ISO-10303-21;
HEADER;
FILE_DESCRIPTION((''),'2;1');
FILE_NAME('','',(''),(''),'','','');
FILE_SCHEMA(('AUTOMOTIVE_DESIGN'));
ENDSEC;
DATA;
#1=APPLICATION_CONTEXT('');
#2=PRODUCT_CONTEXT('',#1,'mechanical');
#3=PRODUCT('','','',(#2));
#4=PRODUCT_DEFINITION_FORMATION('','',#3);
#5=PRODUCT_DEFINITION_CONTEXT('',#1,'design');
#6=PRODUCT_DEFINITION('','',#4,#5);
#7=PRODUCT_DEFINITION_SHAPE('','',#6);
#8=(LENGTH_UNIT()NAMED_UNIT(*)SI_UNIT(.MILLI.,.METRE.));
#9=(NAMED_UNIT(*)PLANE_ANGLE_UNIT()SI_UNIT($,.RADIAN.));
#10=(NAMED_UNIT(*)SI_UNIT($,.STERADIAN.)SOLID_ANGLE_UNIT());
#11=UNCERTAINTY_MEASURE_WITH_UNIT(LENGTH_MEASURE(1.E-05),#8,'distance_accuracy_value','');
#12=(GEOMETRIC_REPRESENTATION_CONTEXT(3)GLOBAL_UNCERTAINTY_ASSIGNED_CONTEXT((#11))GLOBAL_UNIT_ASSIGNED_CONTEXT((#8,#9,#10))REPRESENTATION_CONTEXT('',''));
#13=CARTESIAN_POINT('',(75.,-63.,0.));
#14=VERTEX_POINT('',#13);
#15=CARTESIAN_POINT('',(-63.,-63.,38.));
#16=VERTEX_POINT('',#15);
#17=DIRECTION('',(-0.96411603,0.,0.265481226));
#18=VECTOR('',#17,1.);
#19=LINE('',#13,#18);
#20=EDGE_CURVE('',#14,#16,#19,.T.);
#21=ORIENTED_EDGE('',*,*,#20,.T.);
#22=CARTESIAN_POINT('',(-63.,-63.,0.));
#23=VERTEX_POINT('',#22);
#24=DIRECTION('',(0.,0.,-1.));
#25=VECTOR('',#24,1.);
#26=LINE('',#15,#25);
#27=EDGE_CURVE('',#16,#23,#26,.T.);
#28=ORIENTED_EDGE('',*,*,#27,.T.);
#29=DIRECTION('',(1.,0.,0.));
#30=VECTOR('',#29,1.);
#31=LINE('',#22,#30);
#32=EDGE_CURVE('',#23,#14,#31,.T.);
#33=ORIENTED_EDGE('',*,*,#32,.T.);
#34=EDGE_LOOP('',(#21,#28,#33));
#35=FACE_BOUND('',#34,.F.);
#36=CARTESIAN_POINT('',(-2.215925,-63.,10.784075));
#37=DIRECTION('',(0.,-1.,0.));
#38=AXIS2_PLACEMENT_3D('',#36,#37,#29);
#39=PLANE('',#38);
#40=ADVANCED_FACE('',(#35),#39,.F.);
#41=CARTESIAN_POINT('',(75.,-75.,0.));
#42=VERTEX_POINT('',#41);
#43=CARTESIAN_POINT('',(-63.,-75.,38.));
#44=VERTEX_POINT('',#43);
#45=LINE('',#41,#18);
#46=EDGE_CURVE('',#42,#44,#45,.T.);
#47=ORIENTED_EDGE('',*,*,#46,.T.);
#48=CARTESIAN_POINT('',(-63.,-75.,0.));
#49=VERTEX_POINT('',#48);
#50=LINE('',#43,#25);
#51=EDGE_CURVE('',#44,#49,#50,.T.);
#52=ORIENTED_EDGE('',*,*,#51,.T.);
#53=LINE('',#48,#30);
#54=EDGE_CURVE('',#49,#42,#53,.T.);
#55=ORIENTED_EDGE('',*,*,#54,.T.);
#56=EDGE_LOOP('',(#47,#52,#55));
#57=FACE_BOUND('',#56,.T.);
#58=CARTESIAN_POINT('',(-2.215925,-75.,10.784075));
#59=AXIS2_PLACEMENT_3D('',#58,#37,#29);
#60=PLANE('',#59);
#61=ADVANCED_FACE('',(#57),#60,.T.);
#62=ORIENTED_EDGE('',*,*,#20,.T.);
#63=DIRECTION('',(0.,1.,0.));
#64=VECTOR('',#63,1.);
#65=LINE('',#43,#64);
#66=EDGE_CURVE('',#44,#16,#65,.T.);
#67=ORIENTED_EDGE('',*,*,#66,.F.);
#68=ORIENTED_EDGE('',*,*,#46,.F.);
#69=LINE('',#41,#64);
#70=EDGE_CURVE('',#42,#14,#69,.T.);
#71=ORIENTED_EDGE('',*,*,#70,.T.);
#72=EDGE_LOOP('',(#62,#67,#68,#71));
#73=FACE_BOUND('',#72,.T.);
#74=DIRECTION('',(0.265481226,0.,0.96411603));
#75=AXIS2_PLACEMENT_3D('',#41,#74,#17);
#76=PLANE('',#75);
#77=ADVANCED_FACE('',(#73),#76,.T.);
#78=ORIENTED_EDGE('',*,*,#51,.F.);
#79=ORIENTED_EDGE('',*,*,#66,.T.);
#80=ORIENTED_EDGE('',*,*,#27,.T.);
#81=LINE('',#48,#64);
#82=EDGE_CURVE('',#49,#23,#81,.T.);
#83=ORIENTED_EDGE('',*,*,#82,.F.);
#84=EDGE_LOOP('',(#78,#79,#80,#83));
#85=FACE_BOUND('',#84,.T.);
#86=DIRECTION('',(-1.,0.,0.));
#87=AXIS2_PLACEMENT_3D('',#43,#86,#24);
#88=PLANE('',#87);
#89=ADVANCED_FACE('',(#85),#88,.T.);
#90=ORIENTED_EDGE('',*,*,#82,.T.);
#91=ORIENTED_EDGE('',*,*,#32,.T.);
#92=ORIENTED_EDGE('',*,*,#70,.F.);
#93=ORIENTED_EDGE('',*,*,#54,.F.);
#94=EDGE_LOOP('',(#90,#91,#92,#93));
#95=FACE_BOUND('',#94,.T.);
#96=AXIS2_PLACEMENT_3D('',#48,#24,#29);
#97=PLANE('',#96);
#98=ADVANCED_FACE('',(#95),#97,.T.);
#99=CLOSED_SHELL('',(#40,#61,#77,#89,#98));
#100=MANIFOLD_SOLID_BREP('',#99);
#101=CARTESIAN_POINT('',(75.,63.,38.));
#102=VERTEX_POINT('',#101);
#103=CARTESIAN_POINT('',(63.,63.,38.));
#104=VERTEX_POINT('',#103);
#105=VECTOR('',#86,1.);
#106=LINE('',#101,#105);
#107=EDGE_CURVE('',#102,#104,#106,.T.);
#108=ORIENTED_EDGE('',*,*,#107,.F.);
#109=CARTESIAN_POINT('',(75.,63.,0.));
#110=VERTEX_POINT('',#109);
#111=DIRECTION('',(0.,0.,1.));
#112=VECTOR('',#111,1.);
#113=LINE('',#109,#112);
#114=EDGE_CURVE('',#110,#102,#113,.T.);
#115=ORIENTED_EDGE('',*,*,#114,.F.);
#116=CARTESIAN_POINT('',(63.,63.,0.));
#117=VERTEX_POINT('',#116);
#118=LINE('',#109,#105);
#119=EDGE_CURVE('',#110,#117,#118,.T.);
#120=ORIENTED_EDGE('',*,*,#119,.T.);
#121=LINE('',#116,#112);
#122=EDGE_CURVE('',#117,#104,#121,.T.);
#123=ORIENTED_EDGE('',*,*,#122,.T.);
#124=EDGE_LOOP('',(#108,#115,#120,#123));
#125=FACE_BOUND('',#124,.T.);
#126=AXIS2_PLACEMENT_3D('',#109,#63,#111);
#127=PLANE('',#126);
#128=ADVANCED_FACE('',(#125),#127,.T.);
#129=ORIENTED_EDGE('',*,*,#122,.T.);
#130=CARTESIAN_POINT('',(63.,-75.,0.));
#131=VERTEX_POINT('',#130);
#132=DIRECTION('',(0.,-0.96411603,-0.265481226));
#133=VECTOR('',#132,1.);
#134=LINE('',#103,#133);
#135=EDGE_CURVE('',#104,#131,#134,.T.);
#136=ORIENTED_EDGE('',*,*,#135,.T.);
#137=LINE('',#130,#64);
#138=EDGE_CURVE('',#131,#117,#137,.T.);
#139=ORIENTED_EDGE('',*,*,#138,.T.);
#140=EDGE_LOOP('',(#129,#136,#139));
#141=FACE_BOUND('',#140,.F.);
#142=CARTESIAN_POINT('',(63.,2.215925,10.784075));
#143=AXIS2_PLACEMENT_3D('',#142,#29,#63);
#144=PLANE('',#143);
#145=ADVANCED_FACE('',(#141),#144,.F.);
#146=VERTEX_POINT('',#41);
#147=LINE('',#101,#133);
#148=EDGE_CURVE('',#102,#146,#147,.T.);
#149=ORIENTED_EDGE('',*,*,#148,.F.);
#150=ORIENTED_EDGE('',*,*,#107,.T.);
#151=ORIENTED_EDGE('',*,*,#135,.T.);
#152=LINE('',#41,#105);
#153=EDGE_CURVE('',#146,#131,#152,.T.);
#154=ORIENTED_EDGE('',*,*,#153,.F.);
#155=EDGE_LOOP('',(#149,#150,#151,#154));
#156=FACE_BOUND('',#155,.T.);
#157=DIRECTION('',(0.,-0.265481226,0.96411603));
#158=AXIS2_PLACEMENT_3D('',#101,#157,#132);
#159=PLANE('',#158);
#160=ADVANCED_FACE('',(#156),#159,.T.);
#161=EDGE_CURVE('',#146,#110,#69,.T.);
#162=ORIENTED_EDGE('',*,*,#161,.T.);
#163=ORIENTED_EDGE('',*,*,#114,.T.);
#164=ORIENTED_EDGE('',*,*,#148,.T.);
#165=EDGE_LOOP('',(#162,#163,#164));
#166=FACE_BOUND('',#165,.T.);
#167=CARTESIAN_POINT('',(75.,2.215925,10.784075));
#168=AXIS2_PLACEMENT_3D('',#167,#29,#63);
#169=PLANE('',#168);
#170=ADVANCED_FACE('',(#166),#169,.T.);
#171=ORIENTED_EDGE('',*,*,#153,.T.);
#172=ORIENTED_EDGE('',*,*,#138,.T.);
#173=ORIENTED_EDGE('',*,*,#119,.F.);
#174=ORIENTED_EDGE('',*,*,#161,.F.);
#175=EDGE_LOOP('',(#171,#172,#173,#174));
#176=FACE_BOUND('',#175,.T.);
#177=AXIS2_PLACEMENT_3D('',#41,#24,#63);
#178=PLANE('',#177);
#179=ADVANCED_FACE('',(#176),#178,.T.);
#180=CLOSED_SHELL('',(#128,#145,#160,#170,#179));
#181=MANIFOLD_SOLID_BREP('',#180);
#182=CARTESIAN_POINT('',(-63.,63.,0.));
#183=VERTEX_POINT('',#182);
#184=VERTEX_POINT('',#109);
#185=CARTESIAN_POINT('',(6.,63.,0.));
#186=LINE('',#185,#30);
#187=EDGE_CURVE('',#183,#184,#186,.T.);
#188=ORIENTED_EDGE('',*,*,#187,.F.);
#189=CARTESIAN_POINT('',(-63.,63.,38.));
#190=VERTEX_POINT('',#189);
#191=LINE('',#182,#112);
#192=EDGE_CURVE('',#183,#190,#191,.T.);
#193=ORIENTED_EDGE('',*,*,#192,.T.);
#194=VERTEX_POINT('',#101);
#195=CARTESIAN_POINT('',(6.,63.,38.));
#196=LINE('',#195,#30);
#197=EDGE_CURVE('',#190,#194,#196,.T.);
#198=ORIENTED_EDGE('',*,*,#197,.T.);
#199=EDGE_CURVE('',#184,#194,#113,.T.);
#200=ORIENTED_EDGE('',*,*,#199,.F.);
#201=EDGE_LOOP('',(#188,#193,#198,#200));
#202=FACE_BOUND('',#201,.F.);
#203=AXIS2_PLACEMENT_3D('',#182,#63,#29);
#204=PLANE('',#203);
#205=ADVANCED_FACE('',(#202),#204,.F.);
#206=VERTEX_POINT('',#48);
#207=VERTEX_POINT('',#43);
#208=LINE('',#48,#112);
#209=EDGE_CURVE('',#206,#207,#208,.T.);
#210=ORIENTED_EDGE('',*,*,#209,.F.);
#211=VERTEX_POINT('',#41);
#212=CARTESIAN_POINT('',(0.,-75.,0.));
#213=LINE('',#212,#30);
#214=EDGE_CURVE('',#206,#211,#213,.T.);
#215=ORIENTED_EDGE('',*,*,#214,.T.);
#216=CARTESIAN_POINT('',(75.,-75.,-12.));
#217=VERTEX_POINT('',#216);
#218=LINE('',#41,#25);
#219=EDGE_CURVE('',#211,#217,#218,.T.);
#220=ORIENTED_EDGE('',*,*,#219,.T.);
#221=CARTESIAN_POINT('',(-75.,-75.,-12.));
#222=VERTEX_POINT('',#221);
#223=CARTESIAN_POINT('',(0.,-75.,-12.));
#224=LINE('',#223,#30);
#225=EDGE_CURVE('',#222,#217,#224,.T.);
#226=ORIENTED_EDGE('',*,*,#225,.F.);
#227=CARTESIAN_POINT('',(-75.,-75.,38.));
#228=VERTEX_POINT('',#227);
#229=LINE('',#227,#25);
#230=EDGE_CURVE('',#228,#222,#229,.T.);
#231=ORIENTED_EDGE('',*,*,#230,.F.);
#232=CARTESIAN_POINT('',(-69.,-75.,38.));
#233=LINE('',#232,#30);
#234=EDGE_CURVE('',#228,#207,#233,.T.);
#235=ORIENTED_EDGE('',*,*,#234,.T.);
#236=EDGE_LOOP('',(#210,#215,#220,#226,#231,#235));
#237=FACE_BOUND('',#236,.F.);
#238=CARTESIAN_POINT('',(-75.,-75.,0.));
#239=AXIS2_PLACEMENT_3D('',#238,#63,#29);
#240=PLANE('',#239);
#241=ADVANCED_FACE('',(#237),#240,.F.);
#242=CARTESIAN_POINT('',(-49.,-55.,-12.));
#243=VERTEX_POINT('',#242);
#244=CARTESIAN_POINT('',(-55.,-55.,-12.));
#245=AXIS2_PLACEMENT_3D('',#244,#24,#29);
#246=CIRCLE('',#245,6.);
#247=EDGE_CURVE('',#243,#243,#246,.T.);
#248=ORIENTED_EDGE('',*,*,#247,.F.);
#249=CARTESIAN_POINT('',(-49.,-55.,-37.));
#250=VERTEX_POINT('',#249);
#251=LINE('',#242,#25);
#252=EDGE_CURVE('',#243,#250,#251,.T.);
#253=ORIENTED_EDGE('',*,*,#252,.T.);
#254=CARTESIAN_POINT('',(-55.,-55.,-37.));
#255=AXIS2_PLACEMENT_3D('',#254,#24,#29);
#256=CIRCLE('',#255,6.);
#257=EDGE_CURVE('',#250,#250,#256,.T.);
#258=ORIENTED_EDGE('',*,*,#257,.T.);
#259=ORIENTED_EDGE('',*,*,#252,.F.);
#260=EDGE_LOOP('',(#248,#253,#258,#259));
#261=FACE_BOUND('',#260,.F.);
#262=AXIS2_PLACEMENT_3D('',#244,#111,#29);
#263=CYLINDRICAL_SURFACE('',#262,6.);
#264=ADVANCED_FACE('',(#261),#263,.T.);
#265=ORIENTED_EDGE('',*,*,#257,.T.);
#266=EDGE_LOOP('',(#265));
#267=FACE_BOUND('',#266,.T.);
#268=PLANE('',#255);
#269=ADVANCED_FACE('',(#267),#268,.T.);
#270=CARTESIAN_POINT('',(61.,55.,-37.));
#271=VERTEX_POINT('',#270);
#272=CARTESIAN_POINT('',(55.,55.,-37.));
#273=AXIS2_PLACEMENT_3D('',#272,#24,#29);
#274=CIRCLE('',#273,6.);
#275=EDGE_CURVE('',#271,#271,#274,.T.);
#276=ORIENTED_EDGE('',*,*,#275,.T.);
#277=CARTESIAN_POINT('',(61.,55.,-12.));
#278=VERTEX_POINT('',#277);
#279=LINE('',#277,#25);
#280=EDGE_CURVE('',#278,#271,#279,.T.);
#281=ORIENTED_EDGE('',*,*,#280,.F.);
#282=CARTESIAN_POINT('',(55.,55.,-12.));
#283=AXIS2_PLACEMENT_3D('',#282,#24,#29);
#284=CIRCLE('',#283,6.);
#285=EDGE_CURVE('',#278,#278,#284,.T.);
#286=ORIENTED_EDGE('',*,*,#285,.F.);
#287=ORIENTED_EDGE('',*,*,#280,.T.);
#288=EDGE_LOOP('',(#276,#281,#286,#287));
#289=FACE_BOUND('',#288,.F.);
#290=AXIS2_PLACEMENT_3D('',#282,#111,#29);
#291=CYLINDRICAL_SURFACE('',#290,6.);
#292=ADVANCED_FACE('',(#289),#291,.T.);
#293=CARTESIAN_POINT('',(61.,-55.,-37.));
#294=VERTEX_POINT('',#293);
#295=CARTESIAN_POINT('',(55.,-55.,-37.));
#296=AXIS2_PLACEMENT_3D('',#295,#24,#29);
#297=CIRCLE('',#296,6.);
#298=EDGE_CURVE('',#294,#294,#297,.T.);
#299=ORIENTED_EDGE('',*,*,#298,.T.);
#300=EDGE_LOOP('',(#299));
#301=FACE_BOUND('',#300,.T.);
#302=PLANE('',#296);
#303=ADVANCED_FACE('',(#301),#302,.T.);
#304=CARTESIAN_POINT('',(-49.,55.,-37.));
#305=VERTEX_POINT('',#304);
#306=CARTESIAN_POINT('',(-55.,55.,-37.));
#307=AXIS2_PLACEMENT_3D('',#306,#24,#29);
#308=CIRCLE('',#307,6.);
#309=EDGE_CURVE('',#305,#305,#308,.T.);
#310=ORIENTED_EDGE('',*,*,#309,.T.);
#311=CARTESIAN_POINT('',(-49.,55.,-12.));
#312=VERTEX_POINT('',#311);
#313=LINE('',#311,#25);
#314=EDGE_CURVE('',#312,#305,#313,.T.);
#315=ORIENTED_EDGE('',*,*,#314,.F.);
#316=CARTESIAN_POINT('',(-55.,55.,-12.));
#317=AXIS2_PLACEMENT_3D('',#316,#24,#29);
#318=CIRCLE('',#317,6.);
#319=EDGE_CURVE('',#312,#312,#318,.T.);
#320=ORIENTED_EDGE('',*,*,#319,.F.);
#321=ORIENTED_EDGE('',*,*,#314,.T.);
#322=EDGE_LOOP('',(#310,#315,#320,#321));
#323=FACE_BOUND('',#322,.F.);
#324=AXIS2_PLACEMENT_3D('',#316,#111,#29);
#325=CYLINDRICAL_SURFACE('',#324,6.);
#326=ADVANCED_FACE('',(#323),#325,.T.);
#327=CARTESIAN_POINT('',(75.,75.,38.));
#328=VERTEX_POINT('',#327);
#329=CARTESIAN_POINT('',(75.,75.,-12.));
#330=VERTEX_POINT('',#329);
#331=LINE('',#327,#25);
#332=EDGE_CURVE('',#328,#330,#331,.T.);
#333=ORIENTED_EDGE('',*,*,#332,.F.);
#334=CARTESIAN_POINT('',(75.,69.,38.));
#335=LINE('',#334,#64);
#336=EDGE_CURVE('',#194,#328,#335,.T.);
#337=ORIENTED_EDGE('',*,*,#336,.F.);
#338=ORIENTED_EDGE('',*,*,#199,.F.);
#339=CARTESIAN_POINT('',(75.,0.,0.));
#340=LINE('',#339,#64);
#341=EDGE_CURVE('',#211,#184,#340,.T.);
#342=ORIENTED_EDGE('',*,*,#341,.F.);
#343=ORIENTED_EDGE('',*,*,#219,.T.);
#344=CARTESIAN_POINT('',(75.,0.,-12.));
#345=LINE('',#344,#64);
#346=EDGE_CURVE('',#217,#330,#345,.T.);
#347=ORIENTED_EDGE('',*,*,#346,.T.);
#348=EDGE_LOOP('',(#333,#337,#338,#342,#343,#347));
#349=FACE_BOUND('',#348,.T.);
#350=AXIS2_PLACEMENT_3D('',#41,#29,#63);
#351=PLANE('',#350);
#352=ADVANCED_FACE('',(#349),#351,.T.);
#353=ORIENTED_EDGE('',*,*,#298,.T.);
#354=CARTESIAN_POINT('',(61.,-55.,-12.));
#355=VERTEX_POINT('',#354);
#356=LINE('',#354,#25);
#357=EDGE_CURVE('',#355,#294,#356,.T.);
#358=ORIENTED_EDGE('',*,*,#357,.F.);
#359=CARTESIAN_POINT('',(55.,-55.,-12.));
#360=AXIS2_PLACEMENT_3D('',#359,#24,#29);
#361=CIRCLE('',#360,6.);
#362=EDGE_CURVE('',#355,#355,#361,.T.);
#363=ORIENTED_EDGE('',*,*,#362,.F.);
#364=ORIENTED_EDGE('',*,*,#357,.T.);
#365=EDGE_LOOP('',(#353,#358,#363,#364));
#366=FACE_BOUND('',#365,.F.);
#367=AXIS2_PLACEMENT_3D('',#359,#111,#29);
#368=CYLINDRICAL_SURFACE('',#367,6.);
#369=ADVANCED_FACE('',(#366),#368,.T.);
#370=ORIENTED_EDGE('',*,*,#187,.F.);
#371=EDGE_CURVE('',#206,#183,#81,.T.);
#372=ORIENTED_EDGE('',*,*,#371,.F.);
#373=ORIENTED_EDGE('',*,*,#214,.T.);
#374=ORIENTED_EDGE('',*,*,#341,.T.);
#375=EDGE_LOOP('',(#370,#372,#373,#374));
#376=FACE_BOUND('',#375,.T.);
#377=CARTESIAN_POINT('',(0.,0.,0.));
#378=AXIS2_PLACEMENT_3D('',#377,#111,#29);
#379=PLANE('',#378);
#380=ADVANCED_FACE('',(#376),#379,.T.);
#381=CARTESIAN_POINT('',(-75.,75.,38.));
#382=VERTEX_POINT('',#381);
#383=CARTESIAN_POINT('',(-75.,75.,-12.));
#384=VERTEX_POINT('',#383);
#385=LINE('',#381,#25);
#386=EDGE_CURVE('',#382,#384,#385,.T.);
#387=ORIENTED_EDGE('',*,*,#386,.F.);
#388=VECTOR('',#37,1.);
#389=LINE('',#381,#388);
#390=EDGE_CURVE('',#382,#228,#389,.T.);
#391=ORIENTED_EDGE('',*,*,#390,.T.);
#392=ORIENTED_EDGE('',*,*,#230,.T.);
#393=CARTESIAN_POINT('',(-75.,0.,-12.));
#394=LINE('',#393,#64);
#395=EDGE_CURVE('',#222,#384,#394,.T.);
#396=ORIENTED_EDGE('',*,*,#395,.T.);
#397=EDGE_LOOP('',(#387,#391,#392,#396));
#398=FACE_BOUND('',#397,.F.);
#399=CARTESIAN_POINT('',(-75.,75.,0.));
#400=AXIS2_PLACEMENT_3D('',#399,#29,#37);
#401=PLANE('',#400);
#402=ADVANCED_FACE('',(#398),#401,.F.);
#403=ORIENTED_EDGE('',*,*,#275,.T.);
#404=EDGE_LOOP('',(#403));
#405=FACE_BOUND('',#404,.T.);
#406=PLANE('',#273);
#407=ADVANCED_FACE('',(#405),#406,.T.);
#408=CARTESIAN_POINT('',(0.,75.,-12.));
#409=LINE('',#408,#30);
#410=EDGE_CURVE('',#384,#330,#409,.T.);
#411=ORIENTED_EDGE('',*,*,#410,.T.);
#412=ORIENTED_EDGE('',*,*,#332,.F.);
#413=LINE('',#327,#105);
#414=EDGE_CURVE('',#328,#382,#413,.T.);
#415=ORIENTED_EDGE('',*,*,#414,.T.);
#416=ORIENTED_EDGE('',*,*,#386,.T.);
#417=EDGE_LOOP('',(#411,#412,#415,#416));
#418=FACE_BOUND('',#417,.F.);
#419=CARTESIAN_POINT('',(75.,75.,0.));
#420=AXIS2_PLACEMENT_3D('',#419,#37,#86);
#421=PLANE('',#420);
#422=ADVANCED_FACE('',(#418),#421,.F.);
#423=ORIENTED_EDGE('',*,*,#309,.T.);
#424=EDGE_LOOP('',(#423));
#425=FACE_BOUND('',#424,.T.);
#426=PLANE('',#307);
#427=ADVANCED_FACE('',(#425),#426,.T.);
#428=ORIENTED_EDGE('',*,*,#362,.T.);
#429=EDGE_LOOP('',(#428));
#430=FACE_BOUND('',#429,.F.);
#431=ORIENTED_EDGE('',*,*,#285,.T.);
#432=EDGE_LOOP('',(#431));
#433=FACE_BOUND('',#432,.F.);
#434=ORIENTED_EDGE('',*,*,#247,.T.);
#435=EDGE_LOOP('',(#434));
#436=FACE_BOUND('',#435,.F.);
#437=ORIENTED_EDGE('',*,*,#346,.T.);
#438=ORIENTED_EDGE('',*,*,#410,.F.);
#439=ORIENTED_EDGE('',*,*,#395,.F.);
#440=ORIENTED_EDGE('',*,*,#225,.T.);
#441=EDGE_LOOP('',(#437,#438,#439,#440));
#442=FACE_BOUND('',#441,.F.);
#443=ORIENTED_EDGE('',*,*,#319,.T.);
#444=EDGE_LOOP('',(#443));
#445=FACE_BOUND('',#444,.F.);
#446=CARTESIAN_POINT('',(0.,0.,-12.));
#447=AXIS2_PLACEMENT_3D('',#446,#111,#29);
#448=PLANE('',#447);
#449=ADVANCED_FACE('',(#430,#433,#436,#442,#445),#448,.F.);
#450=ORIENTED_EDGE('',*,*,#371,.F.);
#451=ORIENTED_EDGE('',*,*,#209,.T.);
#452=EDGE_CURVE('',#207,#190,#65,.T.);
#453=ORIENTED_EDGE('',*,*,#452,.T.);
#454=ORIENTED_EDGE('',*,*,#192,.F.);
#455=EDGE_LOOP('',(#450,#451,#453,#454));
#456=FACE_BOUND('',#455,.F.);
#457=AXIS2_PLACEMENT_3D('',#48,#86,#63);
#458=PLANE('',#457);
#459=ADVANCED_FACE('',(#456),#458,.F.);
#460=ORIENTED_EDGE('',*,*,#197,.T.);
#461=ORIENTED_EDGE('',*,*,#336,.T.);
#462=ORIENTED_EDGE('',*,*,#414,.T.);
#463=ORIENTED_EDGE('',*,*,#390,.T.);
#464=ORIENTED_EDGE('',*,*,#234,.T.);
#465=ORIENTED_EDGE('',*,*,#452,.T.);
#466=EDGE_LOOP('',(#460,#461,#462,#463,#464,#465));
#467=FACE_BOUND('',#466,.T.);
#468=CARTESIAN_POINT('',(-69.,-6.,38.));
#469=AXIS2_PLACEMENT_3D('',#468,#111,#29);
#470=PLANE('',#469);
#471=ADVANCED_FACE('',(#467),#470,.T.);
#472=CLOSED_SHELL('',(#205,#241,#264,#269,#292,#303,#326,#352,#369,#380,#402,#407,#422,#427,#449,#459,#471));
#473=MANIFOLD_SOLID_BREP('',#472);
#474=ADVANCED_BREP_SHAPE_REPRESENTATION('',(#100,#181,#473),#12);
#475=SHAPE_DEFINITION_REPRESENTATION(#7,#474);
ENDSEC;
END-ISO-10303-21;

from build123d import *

# Parameters (mm, degrees)
F0_W     = 150
F0_H     = 150
F1_DEPTH = 12
F2_W     = 12
F2_H     = 138
F2_H_2   = 12
F2_W_2   = 138
F3_DEPTH = 38
F5_DEPTH = 12
F7_DEPTH = 12
F8_R     = 6
F9_DEPTH = 25


with BuildPart() as f1:
    # F0 (on Top) → F1 (new body)
    with BuildSketch(Plane.XY):
        Rectangle(F0_W, F0_H)
    extrude(amount=-F1_DEPTH)

    # F2 (on face) → F3 (join)
    with BuildSketch(Plane.XY):
        with Locations((-69, -6)):
            Rectangle(F2_W, F2_H)
        with Locations((-69, 69)):
            Rectangle(F2_W, F2_H_2)
        with Locations((6, 69)):
            Rectangle(F2_W_2, F2_H_2)
    extrude(amount=F3_DEPTH)

    # F8 (on face) → F9 (join)
    with BuildSketch(Plane(origin=(0, 0, -12), x_dir=(1, 0, 0), z_dir=(0, 0, -1))):
        with Locations((-55, 55)):
            Circle(F8_R)
        with Locations((55, 55)):
            Circle(F8_R)
        with Locations((55, -55)):
            Circle(F8_R)
        with Locations((-55, -55)):
            Circle(F8_R)
    extrude(amount=F9_DEPTH)


with BuildPart() as f5:
    # F4 (on face) → F5 (new body)
    with BuildSketch(Plane.XZ.offset(75)):
        Polygon((75, 0), (-63, 38), (-63, 0), align=None)
    extrude(amount=-F5_DEPTH)


with BuildPart() as f7:
    # F6 (on face) → F7 (new body)
    with BuildSketch(Plane.YZ.offset(75)):
        Polygon((63, 0), (63, 38), (-75, 0), align=None)
    extrude(amount=-F7_DEPTH)


solid = Compound([f1.part, f5.part, f7.part])
